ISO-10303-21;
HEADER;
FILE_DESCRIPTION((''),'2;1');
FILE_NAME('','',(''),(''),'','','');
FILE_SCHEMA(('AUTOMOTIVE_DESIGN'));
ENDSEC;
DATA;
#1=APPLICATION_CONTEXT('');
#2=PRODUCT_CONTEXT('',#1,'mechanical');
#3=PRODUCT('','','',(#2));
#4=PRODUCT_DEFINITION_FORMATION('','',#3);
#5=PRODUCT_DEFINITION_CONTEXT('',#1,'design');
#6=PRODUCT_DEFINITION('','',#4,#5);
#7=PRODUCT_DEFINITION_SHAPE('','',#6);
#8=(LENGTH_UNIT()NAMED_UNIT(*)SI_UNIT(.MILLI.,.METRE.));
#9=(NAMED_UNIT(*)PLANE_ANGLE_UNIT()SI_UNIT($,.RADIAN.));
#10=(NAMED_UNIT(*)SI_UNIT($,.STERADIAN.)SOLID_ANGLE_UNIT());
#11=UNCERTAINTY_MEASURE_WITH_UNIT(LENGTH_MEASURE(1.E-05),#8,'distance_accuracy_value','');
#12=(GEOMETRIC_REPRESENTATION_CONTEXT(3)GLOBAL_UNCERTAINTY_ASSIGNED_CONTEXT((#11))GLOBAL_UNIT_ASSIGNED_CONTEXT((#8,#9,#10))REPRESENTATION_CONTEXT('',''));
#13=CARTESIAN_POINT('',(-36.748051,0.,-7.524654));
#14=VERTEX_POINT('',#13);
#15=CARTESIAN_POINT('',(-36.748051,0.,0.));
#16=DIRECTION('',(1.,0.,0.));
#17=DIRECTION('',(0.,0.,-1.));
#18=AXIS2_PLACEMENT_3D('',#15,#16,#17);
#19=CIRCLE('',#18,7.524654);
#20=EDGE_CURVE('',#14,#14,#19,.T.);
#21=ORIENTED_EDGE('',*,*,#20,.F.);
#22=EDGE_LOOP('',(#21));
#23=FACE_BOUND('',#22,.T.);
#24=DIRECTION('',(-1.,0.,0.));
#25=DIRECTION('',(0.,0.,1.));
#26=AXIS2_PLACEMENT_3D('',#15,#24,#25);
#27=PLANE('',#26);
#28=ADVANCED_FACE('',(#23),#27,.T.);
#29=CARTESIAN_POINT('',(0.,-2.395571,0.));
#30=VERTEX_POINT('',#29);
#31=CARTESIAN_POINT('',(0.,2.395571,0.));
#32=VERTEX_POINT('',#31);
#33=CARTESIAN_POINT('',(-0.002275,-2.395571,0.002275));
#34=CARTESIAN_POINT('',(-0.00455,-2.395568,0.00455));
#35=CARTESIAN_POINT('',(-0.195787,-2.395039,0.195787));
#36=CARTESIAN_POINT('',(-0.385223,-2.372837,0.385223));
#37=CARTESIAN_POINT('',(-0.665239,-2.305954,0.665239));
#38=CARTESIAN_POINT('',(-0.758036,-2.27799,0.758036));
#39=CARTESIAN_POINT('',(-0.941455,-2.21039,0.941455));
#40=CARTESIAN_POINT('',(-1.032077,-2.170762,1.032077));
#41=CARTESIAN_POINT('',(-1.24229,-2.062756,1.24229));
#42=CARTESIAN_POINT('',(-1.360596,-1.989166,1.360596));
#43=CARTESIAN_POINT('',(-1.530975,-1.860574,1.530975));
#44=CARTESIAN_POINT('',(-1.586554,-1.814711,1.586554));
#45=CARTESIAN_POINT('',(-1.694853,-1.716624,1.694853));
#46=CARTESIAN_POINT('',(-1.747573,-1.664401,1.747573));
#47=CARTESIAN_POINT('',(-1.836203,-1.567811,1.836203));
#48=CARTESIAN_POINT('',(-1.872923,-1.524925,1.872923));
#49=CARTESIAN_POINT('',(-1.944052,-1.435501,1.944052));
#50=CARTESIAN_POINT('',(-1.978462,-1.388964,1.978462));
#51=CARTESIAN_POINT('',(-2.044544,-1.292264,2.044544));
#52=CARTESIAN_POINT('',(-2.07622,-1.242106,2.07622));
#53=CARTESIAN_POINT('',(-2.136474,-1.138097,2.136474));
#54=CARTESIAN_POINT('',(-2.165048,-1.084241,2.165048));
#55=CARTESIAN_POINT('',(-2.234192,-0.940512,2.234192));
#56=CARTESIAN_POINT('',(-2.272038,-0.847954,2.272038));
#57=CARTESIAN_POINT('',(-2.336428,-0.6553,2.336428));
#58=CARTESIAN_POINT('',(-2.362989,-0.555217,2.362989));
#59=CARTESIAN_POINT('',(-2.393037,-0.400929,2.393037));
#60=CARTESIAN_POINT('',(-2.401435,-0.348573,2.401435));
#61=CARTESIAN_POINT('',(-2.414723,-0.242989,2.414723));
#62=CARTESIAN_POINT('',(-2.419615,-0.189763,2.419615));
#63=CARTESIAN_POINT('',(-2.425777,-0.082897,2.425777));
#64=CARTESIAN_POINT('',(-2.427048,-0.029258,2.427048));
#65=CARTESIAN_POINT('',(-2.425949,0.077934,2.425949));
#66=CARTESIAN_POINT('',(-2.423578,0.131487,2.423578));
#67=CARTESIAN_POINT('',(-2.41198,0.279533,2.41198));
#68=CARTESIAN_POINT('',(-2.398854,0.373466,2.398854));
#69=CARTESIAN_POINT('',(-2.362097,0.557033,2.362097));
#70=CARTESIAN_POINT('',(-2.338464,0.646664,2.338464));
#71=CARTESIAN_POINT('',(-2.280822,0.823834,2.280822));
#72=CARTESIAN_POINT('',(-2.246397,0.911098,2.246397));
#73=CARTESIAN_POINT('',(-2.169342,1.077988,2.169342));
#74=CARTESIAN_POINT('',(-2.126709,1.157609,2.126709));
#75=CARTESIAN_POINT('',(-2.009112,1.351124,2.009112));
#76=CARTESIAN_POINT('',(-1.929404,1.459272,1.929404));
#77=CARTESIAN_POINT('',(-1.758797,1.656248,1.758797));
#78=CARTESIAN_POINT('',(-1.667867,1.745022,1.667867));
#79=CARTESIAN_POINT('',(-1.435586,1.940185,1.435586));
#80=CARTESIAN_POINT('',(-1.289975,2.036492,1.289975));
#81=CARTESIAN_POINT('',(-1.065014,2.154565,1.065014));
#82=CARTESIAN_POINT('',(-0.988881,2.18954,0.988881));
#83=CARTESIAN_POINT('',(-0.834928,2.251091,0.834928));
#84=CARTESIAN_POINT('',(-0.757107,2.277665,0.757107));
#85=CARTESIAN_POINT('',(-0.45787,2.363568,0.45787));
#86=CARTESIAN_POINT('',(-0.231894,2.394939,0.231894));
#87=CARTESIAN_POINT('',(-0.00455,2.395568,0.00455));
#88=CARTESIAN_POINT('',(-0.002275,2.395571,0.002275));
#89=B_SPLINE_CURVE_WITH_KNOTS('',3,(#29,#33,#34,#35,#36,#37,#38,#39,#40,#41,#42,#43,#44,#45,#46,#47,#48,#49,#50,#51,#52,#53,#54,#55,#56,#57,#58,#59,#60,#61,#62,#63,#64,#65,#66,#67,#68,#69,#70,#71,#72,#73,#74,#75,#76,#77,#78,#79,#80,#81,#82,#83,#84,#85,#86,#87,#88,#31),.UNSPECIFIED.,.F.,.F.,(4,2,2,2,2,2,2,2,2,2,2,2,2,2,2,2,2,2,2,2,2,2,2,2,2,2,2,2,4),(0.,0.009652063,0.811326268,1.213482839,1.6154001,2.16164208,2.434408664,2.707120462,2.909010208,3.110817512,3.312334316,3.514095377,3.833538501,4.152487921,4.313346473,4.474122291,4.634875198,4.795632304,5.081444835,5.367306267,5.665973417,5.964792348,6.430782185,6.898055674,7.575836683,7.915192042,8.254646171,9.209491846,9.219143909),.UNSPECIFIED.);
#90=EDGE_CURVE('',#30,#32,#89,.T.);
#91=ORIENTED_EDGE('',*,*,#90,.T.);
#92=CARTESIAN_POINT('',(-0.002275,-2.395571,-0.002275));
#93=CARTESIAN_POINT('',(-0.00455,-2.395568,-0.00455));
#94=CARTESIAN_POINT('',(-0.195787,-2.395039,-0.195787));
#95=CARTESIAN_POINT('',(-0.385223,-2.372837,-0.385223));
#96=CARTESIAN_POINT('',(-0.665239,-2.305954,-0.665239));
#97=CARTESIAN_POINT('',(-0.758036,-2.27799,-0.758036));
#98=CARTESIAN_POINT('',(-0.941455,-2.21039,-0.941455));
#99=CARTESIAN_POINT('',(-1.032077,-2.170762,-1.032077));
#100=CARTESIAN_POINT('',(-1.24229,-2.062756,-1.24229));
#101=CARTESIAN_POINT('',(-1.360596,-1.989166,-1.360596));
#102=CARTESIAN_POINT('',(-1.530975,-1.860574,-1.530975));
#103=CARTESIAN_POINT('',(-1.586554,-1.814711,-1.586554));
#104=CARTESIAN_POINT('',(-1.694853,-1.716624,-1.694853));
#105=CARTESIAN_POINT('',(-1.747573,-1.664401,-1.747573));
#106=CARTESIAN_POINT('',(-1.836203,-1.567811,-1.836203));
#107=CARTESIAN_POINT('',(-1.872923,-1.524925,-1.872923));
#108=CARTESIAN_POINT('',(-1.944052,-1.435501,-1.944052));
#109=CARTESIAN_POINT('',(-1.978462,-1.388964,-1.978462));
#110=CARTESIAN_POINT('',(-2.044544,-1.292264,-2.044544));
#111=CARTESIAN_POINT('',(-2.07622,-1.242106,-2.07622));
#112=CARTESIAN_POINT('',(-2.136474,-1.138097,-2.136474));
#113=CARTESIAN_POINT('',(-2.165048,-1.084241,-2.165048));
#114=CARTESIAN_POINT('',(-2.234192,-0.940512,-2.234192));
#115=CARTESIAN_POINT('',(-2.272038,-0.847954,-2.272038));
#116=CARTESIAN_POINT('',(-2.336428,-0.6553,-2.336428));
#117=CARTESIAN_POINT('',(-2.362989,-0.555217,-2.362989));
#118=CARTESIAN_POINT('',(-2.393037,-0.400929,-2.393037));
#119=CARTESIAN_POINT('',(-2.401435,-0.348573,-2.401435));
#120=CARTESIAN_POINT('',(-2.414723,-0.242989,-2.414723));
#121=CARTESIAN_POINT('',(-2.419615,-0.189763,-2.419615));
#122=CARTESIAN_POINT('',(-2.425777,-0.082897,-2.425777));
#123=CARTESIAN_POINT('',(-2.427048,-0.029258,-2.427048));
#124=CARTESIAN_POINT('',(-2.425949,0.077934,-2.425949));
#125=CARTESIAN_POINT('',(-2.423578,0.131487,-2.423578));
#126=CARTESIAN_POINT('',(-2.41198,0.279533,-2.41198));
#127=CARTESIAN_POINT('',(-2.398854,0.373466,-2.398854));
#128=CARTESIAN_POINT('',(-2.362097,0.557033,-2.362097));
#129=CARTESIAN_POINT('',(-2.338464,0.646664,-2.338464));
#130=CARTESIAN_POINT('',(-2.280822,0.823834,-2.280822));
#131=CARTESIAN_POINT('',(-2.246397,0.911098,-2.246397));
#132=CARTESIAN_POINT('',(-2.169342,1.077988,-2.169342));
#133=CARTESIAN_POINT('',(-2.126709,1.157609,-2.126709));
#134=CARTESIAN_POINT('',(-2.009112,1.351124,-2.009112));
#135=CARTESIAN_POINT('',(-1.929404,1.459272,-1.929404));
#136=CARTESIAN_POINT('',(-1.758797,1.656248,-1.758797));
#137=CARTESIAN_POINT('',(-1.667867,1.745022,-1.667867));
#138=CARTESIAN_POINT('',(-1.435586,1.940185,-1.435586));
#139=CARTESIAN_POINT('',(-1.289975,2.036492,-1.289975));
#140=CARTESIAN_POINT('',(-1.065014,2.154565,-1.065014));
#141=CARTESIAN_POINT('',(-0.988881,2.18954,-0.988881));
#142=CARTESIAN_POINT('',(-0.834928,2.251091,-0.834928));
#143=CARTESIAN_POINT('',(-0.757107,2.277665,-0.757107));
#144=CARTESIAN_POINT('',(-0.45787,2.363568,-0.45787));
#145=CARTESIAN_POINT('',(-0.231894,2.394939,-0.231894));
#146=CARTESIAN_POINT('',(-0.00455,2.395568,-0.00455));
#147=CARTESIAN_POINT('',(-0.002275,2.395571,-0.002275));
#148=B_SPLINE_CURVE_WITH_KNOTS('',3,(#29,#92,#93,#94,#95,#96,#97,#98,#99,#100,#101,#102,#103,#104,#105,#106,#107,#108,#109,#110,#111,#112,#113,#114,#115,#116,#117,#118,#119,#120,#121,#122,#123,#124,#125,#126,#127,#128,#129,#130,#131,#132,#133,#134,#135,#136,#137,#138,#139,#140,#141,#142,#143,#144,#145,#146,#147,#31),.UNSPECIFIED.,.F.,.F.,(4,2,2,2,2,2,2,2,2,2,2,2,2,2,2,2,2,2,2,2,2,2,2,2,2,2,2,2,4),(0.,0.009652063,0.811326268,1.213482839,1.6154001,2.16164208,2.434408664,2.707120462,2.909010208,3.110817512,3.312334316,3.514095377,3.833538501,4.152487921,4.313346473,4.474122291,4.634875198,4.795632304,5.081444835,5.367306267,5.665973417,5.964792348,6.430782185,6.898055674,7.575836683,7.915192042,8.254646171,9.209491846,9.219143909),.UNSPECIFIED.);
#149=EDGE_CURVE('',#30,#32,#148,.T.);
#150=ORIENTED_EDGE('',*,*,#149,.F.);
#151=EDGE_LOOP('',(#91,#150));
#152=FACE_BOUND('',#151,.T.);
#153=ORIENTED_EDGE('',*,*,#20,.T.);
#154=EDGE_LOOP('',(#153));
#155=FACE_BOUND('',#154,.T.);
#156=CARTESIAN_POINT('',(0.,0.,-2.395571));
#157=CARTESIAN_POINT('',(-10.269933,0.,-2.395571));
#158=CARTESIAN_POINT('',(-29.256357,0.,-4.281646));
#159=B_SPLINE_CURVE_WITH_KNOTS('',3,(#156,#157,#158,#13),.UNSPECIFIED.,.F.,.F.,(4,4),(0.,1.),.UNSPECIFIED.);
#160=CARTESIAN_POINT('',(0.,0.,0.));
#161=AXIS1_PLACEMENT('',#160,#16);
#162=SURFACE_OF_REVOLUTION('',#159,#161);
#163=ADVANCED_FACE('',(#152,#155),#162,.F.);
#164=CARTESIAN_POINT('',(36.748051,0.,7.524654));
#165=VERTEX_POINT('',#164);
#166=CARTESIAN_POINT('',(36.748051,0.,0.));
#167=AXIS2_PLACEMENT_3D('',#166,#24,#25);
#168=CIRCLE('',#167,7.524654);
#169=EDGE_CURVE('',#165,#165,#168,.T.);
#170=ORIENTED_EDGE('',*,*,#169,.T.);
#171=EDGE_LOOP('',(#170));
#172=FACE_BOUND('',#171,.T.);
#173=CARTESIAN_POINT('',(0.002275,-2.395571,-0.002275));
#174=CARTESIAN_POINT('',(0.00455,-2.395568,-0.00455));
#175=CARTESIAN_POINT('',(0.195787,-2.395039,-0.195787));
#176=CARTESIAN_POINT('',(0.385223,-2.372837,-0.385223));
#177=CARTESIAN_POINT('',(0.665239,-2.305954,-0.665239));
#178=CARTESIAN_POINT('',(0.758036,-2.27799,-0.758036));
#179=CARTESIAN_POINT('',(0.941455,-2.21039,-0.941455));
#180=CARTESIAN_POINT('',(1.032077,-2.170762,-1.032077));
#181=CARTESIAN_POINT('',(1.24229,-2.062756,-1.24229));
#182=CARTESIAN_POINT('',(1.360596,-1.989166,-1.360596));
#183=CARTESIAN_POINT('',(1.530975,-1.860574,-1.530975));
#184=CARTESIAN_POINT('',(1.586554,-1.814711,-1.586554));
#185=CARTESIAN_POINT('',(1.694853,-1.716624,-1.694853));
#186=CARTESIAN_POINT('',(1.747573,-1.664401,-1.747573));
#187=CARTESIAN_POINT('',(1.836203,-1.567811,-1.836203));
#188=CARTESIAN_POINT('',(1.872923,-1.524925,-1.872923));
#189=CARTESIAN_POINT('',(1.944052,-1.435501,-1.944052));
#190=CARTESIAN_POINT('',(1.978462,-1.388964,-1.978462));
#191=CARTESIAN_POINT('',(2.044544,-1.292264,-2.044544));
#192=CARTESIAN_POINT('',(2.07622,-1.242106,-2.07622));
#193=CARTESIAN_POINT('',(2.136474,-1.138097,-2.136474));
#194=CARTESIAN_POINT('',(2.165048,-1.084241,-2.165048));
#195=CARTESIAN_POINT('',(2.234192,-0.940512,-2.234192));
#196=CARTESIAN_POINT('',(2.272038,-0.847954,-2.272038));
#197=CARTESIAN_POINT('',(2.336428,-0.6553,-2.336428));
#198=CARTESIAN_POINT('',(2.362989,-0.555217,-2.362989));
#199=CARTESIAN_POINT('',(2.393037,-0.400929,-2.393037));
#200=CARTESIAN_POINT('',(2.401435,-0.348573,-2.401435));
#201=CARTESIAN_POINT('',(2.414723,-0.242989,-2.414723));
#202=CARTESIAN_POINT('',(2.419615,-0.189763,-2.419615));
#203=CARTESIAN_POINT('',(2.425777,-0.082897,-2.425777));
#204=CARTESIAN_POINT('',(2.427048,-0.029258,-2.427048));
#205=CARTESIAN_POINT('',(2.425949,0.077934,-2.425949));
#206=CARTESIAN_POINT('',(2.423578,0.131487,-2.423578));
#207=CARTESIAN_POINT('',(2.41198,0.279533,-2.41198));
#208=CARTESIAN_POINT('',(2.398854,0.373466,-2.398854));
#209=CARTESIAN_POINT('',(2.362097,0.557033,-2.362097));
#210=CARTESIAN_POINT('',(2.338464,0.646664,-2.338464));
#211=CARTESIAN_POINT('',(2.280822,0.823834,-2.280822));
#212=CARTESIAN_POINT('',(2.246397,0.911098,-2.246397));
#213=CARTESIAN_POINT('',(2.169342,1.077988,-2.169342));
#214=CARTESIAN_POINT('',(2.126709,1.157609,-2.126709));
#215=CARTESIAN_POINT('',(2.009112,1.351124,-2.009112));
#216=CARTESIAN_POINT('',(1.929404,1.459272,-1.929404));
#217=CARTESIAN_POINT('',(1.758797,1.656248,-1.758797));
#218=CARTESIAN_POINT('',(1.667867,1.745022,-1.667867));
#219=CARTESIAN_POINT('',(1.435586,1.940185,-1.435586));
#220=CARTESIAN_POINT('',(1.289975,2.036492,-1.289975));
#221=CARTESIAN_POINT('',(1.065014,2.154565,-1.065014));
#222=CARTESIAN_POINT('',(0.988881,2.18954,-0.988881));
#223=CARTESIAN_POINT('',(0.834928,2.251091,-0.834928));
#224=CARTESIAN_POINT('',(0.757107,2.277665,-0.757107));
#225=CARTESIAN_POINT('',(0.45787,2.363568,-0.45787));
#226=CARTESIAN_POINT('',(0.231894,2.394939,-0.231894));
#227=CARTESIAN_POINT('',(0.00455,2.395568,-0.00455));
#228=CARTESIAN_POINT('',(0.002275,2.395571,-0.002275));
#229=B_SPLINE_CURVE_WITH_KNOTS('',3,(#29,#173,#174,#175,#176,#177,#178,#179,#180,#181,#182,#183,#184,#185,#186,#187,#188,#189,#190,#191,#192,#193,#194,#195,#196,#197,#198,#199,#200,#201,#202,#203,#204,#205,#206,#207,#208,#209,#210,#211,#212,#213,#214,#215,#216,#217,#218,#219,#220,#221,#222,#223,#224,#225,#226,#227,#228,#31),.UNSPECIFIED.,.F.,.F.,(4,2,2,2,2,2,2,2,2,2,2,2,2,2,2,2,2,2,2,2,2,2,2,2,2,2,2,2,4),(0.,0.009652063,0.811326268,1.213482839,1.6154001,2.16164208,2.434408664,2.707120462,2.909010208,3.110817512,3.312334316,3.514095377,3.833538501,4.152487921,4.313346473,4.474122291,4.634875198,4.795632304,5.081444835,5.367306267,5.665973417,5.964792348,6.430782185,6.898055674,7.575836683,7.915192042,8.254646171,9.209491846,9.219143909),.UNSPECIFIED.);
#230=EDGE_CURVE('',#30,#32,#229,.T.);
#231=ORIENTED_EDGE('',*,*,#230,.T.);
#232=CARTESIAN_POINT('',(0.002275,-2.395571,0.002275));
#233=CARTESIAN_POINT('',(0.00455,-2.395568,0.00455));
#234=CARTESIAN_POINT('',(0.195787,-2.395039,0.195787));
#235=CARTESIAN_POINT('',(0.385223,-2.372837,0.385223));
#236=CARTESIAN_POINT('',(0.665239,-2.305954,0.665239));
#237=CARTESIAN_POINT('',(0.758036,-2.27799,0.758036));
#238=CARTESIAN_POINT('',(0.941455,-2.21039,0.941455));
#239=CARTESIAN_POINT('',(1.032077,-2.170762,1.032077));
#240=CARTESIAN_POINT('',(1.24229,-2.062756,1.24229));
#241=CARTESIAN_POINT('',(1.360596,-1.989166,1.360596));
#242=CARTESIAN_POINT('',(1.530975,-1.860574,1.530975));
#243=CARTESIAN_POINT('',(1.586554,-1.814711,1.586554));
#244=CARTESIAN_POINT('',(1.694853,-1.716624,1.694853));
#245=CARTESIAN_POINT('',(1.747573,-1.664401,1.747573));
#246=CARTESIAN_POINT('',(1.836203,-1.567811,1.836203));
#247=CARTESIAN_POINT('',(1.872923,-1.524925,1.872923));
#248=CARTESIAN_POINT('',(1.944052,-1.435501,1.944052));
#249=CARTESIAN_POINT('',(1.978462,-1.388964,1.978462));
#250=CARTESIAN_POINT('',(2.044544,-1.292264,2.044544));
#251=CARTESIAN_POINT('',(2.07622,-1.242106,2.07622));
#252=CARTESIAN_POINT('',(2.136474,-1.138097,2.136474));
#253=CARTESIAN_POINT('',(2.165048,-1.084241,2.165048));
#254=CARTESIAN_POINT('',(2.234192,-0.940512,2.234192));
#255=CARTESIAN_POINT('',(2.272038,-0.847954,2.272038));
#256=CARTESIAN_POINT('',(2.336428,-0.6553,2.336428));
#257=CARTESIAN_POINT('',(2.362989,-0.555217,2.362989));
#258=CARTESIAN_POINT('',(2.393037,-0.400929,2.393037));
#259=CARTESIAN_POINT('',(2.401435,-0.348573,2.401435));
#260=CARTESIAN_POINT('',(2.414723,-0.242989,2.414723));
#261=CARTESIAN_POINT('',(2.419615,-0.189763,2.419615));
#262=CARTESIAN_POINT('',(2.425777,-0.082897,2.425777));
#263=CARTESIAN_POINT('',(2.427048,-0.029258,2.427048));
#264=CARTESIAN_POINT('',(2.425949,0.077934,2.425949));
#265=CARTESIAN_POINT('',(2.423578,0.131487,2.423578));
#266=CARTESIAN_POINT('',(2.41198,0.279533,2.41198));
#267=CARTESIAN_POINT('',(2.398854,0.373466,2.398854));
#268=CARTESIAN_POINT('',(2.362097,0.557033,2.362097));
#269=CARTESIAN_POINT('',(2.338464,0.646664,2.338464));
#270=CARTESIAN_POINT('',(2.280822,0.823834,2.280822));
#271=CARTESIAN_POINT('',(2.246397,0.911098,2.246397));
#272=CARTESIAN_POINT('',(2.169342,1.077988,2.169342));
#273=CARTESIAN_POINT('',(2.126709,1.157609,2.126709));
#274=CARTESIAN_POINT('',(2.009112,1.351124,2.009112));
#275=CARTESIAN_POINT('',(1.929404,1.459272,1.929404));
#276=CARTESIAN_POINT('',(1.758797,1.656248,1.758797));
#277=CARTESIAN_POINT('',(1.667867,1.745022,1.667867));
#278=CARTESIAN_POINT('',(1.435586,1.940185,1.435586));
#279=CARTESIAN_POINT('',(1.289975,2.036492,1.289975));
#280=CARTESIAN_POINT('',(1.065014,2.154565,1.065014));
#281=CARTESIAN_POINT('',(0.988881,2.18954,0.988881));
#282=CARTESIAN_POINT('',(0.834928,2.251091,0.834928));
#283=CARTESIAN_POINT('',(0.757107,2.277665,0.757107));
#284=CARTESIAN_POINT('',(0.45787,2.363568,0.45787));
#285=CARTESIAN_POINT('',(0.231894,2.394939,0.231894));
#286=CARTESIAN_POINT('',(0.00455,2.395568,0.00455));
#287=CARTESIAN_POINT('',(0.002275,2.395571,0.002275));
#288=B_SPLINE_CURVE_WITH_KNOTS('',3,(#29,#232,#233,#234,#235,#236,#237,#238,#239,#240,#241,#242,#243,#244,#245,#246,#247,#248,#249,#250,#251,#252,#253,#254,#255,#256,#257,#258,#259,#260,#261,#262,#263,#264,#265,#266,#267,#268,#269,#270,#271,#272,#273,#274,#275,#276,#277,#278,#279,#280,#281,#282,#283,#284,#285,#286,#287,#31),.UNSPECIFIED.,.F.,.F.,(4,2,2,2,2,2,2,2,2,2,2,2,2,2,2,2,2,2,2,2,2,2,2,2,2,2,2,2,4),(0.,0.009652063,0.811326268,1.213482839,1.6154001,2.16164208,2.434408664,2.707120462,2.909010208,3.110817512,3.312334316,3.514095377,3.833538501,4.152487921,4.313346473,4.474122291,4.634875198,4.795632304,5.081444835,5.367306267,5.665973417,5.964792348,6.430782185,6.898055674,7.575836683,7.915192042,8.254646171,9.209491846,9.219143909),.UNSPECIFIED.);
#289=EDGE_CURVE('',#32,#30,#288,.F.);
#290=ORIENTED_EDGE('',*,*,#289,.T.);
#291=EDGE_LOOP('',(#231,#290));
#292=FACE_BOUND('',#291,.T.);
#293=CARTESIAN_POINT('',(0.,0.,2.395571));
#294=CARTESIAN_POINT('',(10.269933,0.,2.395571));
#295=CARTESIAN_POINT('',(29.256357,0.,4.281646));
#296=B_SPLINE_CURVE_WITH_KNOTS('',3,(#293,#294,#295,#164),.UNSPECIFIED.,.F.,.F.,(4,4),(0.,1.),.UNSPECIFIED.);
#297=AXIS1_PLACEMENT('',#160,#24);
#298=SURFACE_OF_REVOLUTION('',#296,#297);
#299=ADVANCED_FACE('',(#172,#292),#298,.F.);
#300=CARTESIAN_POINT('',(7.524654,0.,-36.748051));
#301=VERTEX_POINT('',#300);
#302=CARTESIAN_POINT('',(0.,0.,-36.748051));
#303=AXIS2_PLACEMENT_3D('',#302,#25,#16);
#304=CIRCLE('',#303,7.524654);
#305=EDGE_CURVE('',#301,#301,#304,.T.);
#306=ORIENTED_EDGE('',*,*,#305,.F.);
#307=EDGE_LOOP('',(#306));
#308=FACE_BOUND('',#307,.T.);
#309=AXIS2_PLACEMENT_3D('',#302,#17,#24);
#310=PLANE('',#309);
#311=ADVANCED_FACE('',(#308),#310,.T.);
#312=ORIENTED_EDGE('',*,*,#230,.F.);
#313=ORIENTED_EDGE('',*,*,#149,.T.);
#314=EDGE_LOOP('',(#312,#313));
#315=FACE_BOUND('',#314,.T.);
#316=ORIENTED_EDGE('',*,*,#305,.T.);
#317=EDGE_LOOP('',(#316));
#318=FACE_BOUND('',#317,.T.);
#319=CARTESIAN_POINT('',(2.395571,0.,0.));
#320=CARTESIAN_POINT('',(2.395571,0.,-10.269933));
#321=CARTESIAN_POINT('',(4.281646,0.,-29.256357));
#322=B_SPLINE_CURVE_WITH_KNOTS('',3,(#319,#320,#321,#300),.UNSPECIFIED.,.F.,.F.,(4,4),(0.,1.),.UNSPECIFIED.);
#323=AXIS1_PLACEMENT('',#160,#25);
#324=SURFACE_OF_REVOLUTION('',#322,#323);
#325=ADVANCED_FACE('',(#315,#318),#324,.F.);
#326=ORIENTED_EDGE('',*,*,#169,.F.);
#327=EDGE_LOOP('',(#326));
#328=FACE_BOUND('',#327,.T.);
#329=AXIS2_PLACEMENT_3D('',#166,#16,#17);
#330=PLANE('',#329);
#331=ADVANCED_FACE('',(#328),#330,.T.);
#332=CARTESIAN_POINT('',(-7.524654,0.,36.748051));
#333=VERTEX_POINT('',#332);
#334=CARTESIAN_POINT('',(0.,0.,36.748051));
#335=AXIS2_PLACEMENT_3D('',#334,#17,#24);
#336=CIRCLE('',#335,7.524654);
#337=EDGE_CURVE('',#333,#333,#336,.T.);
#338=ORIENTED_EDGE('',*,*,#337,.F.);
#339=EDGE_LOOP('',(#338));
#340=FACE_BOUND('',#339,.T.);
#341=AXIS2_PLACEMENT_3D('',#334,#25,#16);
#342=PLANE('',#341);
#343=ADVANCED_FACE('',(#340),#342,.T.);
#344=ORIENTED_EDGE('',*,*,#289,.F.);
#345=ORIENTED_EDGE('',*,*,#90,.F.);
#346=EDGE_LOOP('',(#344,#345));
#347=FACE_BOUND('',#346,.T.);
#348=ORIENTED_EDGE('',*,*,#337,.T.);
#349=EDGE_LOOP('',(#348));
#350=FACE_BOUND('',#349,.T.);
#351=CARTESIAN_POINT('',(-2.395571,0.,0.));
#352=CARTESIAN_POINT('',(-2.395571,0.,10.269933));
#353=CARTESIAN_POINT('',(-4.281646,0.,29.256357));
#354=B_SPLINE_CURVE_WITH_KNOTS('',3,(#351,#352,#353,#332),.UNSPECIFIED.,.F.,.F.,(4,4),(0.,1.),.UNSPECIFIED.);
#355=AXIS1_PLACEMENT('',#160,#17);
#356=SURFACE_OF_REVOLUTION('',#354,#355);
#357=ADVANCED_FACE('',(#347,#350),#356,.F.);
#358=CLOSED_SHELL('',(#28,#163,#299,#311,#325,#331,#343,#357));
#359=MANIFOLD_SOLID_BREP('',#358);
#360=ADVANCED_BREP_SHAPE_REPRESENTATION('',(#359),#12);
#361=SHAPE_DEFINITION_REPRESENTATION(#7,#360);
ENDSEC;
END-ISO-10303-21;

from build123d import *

# Parameters (mm, degrees)
PATTERN_CIRCULAR_3_COUNT = 4


with BuildPart() as part:
    # 草图1 → 旋转1 (revolve)
    with BuildSketch(Plane(origin=(0, 0, 0), x_dir=(1, 0, 0), z_dir=(0, 1, 0))):
        with BuildLine():
            Line((0, 0), (0, -36.748051116))
            Line((0, -36.748051116), (-7.524654351, -36.748051116))
            add(Edge.make_bspline(
                [(-2.395571036, 0), (-2.395571036, -10.269932721), (-4.281645701, -29.256357428), (-7.524654351, -36.748051116)],
                knots=[0, 0, 0, 0, 1, 1, 1, 1], degree=3))
            Line((-2.395571036, 0), (0, 0))
        make_face()
    revolve_1 = revolve(axis=Axis((0, 0, 0), (0, 0, 1)))

    # 阵列(圆周)3: 旋转1 ×4 about axis
    pattern_circular_3_axis = Axis((0, 5.442530379, 0), (0, -1, 0))
    for i in range(1, PATTERN_CIRCULAR_3_COUNT):
        add(revolve_1.rotate(pattern_circular_3_axis, i * 360 / PATTERN_CIRCULAR_3_COUNT))


solid = part.part
